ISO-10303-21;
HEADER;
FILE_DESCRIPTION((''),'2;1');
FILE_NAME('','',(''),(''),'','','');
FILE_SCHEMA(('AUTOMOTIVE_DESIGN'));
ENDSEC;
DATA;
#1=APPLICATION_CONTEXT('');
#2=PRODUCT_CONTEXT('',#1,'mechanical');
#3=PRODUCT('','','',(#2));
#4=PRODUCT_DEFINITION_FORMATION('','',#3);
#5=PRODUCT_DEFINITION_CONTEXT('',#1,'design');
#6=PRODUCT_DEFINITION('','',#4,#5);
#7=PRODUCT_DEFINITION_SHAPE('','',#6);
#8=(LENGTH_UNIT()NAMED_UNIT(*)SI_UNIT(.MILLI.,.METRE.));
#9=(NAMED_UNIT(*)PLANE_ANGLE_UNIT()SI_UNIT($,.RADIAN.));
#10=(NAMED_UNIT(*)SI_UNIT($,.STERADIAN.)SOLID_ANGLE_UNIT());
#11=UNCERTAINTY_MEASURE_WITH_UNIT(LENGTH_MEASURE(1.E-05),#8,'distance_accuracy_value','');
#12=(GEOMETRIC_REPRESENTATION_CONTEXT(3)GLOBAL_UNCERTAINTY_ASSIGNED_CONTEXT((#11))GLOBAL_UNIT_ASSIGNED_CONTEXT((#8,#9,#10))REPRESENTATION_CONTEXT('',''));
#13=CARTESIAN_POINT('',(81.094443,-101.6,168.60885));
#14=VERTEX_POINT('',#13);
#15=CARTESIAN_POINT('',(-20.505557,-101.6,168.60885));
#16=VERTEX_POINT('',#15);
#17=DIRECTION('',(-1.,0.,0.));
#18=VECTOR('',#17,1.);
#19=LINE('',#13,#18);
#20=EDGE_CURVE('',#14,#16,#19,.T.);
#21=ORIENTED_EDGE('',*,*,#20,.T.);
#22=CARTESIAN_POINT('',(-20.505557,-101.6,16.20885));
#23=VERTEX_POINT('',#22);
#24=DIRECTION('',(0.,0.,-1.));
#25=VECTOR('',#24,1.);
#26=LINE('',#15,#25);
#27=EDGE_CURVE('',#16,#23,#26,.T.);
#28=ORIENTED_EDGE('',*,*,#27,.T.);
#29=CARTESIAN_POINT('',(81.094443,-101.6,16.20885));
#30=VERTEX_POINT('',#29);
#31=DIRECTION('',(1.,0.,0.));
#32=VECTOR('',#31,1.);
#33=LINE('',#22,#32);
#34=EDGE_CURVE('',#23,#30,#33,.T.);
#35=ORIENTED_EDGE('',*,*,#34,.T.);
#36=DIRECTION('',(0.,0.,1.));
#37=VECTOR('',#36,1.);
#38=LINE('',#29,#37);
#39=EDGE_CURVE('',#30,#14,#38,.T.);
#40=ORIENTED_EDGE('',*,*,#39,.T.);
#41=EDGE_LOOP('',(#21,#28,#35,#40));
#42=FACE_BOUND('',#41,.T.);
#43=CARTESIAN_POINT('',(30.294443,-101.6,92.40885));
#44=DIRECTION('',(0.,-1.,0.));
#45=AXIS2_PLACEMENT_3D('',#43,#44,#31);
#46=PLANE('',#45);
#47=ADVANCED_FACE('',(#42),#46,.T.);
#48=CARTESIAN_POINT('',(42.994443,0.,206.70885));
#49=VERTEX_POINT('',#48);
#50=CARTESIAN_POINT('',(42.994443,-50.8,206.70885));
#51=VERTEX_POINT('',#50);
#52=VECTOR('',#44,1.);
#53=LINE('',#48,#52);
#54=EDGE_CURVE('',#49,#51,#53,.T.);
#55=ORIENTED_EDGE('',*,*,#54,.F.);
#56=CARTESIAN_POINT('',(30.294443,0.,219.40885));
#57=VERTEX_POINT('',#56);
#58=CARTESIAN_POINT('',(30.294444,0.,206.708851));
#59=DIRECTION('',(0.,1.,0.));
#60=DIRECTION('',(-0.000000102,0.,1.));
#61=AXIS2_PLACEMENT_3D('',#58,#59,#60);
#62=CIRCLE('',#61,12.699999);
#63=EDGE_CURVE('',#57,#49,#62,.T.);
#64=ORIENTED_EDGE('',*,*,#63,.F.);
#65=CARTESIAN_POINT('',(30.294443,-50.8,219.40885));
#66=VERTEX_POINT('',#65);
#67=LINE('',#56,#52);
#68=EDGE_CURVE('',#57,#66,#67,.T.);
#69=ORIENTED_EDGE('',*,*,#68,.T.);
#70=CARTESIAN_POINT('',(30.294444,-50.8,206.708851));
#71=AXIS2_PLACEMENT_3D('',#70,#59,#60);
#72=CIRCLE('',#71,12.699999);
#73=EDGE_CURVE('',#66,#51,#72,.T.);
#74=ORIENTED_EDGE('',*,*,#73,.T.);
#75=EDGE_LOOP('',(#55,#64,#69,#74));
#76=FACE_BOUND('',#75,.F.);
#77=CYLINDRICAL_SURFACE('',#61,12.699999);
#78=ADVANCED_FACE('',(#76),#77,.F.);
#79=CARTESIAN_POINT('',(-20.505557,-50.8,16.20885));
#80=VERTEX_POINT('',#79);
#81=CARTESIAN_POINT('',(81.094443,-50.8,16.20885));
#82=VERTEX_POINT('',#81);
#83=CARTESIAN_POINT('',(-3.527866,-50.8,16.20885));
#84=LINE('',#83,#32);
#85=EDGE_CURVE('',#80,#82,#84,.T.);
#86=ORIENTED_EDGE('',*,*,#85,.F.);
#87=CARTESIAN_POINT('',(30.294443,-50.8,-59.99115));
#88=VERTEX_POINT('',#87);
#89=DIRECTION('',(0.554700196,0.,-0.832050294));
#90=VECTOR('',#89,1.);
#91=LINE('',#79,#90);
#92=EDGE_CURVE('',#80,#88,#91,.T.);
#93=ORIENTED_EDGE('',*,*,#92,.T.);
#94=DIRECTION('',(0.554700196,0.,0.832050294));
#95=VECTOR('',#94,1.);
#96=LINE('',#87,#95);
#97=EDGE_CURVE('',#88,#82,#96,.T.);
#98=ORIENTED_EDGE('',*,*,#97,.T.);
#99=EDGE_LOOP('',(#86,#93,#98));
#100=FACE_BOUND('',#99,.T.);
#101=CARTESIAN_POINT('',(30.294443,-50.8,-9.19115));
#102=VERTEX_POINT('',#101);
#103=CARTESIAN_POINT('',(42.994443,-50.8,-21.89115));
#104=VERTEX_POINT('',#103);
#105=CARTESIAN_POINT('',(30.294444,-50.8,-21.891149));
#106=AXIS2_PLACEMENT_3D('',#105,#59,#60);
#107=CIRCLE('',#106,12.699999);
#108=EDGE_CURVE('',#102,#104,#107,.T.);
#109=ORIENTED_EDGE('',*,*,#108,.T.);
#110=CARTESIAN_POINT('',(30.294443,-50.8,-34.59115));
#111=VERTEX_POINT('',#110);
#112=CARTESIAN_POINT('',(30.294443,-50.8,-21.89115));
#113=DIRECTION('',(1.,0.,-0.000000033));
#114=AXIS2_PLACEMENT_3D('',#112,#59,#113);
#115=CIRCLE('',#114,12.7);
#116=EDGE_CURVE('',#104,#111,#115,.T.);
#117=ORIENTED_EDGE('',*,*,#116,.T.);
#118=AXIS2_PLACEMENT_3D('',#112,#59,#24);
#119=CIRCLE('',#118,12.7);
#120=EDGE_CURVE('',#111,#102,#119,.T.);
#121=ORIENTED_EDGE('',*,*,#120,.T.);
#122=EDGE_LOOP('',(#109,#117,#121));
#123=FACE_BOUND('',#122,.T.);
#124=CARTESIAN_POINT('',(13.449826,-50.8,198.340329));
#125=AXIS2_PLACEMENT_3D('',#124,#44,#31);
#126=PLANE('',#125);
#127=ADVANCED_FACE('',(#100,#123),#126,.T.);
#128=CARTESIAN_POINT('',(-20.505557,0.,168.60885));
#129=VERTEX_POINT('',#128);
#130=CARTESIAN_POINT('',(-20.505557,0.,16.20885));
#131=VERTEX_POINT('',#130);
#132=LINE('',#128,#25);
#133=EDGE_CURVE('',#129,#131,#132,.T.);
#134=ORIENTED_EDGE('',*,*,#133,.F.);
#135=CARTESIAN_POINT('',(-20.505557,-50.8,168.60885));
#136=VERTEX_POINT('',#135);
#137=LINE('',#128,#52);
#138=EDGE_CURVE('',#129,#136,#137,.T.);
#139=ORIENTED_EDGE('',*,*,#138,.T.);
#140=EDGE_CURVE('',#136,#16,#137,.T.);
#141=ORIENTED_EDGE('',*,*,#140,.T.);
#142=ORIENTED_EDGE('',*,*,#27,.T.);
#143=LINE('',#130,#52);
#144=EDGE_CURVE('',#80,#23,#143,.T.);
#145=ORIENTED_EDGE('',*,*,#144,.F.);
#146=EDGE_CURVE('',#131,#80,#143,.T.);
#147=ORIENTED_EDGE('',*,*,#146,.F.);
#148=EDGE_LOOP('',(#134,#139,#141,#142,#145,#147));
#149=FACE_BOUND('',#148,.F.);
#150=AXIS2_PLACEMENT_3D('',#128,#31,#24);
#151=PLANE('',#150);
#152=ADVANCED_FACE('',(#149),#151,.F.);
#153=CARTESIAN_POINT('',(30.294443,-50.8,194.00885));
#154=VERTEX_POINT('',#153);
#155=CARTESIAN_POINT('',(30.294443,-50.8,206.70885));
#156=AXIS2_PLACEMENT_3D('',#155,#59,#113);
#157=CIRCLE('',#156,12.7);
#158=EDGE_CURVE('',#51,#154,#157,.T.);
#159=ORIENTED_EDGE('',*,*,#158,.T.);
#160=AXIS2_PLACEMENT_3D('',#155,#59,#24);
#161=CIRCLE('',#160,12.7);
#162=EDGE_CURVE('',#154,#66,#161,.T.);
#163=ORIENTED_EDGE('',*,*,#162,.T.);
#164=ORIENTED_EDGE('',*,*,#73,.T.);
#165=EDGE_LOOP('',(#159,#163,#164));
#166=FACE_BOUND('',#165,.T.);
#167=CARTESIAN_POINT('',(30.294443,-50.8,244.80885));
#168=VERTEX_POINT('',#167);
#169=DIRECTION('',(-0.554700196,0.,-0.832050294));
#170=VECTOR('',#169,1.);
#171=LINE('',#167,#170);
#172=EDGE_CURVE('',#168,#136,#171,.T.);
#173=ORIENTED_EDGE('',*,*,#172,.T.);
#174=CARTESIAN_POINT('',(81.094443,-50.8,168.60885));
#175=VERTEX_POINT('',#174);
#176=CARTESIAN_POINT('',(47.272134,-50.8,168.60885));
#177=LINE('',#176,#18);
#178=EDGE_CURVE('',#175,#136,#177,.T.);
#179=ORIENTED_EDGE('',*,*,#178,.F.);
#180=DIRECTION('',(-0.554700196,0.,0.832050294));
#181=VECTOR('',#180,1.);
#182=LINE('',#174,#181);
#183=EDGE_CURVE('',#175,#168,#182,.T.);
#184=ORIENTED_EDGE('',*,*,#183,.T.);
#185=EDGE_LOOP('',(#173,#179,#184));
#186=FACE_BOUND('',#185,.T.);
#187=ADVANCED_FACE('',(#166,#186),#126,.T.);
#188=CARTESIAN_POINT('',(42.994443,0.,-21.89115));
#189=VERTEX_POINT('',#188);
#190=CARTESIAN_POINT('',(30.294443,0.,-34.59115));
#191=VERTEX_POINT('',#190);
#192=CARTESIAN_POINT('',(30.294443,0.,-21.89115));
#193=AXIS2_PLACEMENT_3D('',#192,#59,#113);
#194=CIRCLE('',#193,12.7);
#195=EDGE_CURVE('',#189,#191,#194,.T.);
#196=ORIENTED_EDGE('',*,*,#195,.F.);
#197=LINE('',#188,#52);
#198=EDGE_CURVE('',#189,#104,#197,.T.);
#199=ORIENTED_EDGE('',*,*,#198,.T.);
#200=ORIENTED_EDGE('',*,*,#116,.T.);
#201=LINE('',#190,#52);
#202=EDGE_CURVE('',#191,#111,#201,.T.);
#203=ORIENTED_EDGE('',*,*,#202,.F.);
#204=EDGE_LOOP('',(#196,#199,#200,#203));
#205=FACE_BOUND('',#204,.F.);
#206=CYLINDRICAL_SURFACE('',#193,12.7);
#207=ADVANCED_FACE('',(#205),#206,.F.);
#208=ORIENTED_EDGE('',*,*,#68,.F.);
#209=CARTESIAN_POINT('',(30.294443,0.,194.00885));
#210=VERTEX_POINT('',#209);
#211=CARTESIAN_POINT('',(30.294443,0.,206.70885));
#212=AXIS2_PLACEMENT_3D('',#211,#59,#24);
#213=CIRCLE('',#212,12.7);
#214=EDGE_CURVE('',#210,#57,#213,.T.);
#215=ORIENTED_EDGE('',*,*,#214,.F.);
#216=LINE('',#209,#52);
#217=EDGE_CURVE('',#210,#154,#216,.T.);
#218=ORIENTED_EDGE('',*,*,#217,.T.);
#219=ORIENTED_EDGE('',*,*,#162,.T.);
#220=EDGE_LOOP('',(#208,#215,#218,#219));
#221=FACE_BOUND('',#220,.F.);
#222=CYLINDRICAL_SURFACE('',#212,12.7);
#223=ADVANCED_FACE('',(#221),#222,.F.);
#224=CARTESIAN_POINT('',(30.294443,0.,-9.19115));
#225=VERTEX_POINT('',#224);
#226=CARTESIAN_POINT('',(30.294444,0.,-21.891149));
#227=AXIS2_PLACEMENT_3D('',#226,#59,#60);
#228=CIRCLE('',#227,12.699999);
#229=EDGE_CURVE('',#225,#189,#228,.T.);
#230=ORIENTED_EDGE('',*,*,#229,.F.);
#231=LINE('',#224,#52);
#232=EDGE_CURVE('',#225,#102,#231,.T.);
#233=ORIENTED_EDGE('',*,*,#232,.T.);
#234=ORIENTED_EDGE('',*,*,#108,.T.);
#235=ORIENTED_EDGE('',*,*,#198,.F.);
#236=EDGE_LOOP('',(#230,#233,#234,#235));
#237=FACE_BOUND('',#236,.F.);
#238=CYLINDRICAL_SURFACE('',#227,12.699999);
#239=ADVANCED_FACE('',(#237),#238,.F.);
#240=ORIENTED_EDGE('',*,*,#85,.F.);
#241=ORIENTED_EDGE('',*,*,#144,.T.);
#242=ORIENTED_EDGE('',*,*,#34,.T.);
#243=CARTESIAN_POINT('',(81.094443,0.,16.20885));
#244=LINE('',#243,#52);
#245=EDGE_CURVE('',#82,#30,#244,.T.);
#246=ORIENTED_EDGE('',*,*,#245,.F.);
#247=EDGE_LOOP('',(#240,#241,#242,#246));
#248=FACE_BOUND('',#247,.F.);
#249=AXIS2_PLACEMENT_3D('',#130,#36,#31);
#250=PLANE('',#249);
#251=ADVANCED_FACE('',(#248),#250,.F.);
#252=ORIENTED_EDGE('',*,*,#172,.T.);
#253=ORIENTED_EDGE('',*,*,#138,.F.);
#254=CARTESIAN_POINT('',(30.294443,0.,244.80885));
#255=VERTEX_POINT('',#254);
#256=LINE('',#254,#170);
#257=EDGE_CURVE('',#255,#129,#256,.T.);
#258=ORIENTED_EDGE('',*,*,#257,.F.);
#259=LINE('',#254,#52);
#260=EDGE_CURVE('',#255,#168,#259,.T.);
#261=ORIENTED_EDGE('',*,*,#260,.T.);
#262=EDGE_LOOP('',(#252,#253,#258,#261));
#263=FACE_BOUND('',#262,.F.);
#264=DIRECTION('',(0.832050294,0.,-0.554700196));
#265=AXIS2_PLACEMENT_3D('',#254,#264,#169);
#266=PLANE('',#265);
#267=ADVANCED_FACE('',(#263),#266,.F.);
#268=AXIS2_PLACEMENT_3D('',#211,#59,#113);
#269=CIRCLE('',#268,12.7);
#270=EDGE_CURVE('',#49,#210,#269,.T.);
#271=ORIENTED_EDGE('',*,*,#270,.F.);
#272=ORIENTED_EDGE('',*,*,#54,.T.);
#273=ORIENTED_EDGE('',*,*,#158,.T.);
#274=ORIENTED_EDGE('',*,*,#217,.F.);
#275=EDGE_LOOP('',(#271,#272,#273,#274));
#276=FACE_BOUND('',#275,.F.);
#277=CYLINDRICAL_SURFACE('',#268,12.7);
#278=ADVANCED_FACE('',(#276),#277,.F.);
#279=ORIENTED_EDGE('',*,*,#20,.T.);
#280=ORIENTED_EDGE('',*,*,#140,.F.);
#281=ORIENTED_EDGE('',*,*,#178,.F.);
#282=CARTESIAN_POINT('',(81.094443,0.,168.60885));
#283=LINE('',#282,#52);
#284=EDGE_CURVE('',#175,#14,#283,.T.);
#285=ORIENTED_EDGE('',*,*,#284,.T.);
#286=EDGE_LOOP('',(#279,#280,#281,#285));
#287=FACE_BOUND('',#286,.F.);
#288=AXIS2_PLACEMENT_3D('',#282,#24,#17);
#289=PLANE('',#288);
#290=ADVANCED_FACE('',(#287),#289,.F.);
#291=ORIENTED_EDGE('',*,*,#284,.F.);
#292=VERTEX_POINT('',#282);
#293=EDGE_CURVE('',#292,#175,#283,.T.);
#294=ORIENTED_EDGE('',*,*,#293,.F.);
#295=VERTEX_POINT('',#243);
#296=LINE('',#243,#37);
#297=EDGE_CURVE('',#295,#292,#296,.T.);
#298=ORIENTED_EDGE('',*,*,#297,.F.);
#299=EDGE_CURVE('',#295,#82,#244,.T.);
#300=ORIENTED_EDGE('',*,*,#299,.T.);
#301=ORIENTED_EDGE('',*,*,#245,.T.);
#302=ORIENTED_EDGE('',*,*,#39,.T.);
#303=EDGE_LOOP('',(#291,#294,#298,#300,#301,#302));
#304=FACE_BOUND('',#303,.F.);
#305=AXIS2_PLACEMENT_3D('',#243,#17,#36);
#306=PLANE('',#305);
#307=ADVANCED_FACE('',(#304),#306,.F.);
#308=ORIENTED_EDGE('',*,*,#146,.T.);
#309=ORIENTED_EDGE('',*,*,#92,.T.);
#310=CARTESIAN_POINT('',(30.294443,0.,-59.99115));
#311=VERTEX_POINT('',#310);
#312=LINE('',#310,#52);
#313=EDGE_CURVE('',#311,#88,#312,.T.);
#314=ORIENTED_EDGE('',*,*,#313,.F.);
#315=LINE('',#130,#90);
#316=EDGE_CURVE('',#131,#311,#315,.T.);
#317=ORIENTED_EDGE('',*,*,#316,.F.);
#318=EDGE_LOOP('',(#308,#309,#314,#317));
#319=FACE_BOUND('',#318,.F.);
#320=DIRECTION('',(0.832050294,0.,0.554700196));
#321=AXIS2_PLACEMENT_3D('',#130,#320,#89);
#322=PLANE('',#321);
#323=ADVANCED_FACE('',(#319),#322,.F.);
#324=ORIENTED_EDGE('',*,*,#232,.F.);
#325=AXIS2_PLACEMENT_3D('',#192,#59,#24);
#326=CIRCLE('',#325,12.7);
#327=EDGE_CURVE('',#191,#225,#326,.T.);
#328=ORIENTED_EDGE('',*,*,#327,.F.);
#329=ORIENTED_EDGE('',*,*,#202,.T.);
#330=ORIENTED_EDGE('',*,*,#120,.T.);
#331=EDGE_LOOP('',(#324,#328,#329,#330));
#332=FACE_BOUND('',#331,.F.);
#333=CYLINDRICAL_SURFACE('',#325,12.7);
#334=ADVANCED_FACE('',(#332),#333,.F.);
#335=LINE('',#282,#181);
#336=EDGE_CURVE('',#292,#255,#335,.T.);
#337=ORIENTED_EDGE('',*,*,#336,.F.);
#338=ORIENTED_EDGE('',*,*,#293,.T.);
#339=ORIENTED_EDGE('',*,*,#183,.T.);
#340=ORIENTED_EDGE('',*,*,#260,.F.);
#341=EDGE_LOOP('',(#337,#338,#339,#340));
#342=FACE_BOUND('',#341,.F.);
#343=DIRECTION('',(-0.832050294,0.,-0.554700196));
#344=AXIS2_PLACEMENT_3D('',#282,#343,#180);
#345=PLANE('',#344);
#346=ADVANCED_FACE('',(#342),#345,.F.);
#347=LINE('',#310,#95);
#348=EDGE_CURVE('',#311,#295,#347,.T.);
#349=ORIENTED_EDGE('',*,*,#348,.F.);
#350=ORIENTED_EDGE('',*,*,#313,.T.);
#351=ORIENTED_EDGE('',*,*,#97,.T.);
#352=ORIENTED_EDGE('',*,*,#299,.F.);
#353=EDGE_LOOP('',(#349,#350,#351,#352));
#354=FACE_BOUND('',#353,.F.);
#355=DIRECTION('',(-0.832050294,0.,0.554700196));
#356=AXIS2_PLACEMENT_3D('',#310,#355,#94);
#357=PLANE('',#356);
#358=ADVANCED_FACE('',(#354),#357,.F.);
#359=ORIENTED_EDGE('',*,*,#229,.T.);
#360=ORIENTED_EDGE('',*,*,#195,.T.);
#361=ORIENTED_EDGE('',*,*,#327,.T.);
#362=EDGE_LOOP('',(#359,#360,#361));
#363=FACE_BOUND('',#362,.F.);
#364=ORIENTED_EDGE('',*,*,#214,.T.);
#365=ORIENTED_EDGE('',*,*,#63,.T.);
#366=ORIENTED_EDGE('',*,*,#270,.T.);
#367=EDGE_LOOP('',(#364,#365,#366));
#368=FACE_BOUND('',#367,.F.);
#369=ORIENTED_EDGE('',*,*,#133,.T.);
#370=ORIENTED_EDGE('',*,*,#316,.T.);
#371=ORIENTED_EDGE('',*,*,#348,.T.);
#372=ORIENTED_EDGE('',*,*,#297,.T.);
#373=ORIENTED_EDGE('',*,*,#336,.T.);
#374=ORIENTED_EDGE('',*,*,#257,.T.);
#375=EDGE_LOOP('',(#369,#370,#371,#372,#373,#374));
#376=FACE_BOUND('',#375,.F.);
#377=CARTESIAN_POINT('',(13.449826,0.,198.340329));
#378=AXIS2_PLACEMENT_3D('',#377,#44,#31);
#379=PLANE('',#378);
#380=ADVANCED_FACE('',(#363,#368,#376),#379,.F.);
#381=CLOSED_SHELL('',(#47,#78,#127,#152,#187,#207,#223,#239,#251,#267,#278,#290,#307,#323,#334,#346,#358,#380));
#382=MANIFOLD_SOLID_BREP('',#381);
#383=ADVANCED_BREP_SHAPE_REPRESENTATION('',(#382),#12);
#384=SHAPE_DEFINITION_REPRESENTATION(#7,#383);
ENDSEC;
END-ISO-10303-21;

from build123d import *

# Parameters (mm, degrees)
F1_DEPTH = 101.6
F2_DEPTH = 50.8


with BuildPart() as f1:
    # F0 (on Front) → F1 (new body)
    with BuildSketch(Plane.XZ):
        Polygon((30.294443, 168.60885), (-20.505557, 168.60885), (-20.505557, 16.20885), (30.294443, 16.20885), (81.094443, 16.20885), (81.094443, 168.60885), align=None)
    extrude(amount=F1_DEPTH)

    # F0 (on Front) → F2 (join)
    with BuildSketch(Plane.XZ):
        with BuildLine():
            Line((30.294443, 244.80885), (-20.505557, 168.60885))
            Line((-20.505557, 168.60885), (30.294443, 168.60885))
            Line((30.294443, 168.60885), (30.294443, 194.00885))
            ThreePointArc((30.294443, 194.00885), (17.594443, 206.70885), (30.294443, 219.40885))
            Line((30.294443, 219.40885), (30.294443, 244.80885))
        make_face()
        Polygon((30.294443, 168.60885), (-20.505557, 168.60885), (-20.505557, 16.20885), (30.294443, 16.20885), (81.094443, 16.20885), (81.094443, 168.60885), align=None)
        with BuildLine():
            Line((30.294443, 194.00885), (30.294443, 168.60885))
            Line((30.294443, 168.60885), (81.094443, 168.60885))
            Line((81.094443, 168.60885), (30.294443, 244.80885))
            Line((30.294443, 244.80885), (30.294443, 219.40885))
            ThreePointArc((30.294443, 219.40885), (39.274699, 215.689107), (42.994443, 206.70885))
            ThreePointArc((42.994443, 206.70885), (39.274699, 197.728594), (30.294443, 194.00885))
        make_face()
        with BuildLine():
            Line((30.294443, 16.20885), (-20.505557, 16.20885))
            Line((-20.505557, 16.20885), (30.294443, -59.99115))
            Line((30.294443, -59.99115), (30.294443, -34.59115))
            ThreePointArc((30.294443, -34.59115), (17.594443, -21.89115), (30.294443, -9.19115))
            Line((30.294443, -9.19115), (30.294443, 16.20885))
        make_face()
        with BuildLine():
            Line((81.094443, 16.20885), (30.294443, 16.20885))
            Line((30.294443, 16.20885), (30.294443, -9.19115))
            ThreePointArc((30.294443, -9.19115), (39.274699, -12.910893), (42.994443, -21.89115))
            ThreePointArc((42.994443, -21.89115), (39.274699, -30.871406), (30.294443, -34.59115))
            Line((30.294443, -34.59115), (30.294443, -59.99115))
            Line((30.294443, -59.99115), (81.094443, 16.20885))
        make_face()
    extrude(amount=F2_DEPTH)


solid = f1.part
